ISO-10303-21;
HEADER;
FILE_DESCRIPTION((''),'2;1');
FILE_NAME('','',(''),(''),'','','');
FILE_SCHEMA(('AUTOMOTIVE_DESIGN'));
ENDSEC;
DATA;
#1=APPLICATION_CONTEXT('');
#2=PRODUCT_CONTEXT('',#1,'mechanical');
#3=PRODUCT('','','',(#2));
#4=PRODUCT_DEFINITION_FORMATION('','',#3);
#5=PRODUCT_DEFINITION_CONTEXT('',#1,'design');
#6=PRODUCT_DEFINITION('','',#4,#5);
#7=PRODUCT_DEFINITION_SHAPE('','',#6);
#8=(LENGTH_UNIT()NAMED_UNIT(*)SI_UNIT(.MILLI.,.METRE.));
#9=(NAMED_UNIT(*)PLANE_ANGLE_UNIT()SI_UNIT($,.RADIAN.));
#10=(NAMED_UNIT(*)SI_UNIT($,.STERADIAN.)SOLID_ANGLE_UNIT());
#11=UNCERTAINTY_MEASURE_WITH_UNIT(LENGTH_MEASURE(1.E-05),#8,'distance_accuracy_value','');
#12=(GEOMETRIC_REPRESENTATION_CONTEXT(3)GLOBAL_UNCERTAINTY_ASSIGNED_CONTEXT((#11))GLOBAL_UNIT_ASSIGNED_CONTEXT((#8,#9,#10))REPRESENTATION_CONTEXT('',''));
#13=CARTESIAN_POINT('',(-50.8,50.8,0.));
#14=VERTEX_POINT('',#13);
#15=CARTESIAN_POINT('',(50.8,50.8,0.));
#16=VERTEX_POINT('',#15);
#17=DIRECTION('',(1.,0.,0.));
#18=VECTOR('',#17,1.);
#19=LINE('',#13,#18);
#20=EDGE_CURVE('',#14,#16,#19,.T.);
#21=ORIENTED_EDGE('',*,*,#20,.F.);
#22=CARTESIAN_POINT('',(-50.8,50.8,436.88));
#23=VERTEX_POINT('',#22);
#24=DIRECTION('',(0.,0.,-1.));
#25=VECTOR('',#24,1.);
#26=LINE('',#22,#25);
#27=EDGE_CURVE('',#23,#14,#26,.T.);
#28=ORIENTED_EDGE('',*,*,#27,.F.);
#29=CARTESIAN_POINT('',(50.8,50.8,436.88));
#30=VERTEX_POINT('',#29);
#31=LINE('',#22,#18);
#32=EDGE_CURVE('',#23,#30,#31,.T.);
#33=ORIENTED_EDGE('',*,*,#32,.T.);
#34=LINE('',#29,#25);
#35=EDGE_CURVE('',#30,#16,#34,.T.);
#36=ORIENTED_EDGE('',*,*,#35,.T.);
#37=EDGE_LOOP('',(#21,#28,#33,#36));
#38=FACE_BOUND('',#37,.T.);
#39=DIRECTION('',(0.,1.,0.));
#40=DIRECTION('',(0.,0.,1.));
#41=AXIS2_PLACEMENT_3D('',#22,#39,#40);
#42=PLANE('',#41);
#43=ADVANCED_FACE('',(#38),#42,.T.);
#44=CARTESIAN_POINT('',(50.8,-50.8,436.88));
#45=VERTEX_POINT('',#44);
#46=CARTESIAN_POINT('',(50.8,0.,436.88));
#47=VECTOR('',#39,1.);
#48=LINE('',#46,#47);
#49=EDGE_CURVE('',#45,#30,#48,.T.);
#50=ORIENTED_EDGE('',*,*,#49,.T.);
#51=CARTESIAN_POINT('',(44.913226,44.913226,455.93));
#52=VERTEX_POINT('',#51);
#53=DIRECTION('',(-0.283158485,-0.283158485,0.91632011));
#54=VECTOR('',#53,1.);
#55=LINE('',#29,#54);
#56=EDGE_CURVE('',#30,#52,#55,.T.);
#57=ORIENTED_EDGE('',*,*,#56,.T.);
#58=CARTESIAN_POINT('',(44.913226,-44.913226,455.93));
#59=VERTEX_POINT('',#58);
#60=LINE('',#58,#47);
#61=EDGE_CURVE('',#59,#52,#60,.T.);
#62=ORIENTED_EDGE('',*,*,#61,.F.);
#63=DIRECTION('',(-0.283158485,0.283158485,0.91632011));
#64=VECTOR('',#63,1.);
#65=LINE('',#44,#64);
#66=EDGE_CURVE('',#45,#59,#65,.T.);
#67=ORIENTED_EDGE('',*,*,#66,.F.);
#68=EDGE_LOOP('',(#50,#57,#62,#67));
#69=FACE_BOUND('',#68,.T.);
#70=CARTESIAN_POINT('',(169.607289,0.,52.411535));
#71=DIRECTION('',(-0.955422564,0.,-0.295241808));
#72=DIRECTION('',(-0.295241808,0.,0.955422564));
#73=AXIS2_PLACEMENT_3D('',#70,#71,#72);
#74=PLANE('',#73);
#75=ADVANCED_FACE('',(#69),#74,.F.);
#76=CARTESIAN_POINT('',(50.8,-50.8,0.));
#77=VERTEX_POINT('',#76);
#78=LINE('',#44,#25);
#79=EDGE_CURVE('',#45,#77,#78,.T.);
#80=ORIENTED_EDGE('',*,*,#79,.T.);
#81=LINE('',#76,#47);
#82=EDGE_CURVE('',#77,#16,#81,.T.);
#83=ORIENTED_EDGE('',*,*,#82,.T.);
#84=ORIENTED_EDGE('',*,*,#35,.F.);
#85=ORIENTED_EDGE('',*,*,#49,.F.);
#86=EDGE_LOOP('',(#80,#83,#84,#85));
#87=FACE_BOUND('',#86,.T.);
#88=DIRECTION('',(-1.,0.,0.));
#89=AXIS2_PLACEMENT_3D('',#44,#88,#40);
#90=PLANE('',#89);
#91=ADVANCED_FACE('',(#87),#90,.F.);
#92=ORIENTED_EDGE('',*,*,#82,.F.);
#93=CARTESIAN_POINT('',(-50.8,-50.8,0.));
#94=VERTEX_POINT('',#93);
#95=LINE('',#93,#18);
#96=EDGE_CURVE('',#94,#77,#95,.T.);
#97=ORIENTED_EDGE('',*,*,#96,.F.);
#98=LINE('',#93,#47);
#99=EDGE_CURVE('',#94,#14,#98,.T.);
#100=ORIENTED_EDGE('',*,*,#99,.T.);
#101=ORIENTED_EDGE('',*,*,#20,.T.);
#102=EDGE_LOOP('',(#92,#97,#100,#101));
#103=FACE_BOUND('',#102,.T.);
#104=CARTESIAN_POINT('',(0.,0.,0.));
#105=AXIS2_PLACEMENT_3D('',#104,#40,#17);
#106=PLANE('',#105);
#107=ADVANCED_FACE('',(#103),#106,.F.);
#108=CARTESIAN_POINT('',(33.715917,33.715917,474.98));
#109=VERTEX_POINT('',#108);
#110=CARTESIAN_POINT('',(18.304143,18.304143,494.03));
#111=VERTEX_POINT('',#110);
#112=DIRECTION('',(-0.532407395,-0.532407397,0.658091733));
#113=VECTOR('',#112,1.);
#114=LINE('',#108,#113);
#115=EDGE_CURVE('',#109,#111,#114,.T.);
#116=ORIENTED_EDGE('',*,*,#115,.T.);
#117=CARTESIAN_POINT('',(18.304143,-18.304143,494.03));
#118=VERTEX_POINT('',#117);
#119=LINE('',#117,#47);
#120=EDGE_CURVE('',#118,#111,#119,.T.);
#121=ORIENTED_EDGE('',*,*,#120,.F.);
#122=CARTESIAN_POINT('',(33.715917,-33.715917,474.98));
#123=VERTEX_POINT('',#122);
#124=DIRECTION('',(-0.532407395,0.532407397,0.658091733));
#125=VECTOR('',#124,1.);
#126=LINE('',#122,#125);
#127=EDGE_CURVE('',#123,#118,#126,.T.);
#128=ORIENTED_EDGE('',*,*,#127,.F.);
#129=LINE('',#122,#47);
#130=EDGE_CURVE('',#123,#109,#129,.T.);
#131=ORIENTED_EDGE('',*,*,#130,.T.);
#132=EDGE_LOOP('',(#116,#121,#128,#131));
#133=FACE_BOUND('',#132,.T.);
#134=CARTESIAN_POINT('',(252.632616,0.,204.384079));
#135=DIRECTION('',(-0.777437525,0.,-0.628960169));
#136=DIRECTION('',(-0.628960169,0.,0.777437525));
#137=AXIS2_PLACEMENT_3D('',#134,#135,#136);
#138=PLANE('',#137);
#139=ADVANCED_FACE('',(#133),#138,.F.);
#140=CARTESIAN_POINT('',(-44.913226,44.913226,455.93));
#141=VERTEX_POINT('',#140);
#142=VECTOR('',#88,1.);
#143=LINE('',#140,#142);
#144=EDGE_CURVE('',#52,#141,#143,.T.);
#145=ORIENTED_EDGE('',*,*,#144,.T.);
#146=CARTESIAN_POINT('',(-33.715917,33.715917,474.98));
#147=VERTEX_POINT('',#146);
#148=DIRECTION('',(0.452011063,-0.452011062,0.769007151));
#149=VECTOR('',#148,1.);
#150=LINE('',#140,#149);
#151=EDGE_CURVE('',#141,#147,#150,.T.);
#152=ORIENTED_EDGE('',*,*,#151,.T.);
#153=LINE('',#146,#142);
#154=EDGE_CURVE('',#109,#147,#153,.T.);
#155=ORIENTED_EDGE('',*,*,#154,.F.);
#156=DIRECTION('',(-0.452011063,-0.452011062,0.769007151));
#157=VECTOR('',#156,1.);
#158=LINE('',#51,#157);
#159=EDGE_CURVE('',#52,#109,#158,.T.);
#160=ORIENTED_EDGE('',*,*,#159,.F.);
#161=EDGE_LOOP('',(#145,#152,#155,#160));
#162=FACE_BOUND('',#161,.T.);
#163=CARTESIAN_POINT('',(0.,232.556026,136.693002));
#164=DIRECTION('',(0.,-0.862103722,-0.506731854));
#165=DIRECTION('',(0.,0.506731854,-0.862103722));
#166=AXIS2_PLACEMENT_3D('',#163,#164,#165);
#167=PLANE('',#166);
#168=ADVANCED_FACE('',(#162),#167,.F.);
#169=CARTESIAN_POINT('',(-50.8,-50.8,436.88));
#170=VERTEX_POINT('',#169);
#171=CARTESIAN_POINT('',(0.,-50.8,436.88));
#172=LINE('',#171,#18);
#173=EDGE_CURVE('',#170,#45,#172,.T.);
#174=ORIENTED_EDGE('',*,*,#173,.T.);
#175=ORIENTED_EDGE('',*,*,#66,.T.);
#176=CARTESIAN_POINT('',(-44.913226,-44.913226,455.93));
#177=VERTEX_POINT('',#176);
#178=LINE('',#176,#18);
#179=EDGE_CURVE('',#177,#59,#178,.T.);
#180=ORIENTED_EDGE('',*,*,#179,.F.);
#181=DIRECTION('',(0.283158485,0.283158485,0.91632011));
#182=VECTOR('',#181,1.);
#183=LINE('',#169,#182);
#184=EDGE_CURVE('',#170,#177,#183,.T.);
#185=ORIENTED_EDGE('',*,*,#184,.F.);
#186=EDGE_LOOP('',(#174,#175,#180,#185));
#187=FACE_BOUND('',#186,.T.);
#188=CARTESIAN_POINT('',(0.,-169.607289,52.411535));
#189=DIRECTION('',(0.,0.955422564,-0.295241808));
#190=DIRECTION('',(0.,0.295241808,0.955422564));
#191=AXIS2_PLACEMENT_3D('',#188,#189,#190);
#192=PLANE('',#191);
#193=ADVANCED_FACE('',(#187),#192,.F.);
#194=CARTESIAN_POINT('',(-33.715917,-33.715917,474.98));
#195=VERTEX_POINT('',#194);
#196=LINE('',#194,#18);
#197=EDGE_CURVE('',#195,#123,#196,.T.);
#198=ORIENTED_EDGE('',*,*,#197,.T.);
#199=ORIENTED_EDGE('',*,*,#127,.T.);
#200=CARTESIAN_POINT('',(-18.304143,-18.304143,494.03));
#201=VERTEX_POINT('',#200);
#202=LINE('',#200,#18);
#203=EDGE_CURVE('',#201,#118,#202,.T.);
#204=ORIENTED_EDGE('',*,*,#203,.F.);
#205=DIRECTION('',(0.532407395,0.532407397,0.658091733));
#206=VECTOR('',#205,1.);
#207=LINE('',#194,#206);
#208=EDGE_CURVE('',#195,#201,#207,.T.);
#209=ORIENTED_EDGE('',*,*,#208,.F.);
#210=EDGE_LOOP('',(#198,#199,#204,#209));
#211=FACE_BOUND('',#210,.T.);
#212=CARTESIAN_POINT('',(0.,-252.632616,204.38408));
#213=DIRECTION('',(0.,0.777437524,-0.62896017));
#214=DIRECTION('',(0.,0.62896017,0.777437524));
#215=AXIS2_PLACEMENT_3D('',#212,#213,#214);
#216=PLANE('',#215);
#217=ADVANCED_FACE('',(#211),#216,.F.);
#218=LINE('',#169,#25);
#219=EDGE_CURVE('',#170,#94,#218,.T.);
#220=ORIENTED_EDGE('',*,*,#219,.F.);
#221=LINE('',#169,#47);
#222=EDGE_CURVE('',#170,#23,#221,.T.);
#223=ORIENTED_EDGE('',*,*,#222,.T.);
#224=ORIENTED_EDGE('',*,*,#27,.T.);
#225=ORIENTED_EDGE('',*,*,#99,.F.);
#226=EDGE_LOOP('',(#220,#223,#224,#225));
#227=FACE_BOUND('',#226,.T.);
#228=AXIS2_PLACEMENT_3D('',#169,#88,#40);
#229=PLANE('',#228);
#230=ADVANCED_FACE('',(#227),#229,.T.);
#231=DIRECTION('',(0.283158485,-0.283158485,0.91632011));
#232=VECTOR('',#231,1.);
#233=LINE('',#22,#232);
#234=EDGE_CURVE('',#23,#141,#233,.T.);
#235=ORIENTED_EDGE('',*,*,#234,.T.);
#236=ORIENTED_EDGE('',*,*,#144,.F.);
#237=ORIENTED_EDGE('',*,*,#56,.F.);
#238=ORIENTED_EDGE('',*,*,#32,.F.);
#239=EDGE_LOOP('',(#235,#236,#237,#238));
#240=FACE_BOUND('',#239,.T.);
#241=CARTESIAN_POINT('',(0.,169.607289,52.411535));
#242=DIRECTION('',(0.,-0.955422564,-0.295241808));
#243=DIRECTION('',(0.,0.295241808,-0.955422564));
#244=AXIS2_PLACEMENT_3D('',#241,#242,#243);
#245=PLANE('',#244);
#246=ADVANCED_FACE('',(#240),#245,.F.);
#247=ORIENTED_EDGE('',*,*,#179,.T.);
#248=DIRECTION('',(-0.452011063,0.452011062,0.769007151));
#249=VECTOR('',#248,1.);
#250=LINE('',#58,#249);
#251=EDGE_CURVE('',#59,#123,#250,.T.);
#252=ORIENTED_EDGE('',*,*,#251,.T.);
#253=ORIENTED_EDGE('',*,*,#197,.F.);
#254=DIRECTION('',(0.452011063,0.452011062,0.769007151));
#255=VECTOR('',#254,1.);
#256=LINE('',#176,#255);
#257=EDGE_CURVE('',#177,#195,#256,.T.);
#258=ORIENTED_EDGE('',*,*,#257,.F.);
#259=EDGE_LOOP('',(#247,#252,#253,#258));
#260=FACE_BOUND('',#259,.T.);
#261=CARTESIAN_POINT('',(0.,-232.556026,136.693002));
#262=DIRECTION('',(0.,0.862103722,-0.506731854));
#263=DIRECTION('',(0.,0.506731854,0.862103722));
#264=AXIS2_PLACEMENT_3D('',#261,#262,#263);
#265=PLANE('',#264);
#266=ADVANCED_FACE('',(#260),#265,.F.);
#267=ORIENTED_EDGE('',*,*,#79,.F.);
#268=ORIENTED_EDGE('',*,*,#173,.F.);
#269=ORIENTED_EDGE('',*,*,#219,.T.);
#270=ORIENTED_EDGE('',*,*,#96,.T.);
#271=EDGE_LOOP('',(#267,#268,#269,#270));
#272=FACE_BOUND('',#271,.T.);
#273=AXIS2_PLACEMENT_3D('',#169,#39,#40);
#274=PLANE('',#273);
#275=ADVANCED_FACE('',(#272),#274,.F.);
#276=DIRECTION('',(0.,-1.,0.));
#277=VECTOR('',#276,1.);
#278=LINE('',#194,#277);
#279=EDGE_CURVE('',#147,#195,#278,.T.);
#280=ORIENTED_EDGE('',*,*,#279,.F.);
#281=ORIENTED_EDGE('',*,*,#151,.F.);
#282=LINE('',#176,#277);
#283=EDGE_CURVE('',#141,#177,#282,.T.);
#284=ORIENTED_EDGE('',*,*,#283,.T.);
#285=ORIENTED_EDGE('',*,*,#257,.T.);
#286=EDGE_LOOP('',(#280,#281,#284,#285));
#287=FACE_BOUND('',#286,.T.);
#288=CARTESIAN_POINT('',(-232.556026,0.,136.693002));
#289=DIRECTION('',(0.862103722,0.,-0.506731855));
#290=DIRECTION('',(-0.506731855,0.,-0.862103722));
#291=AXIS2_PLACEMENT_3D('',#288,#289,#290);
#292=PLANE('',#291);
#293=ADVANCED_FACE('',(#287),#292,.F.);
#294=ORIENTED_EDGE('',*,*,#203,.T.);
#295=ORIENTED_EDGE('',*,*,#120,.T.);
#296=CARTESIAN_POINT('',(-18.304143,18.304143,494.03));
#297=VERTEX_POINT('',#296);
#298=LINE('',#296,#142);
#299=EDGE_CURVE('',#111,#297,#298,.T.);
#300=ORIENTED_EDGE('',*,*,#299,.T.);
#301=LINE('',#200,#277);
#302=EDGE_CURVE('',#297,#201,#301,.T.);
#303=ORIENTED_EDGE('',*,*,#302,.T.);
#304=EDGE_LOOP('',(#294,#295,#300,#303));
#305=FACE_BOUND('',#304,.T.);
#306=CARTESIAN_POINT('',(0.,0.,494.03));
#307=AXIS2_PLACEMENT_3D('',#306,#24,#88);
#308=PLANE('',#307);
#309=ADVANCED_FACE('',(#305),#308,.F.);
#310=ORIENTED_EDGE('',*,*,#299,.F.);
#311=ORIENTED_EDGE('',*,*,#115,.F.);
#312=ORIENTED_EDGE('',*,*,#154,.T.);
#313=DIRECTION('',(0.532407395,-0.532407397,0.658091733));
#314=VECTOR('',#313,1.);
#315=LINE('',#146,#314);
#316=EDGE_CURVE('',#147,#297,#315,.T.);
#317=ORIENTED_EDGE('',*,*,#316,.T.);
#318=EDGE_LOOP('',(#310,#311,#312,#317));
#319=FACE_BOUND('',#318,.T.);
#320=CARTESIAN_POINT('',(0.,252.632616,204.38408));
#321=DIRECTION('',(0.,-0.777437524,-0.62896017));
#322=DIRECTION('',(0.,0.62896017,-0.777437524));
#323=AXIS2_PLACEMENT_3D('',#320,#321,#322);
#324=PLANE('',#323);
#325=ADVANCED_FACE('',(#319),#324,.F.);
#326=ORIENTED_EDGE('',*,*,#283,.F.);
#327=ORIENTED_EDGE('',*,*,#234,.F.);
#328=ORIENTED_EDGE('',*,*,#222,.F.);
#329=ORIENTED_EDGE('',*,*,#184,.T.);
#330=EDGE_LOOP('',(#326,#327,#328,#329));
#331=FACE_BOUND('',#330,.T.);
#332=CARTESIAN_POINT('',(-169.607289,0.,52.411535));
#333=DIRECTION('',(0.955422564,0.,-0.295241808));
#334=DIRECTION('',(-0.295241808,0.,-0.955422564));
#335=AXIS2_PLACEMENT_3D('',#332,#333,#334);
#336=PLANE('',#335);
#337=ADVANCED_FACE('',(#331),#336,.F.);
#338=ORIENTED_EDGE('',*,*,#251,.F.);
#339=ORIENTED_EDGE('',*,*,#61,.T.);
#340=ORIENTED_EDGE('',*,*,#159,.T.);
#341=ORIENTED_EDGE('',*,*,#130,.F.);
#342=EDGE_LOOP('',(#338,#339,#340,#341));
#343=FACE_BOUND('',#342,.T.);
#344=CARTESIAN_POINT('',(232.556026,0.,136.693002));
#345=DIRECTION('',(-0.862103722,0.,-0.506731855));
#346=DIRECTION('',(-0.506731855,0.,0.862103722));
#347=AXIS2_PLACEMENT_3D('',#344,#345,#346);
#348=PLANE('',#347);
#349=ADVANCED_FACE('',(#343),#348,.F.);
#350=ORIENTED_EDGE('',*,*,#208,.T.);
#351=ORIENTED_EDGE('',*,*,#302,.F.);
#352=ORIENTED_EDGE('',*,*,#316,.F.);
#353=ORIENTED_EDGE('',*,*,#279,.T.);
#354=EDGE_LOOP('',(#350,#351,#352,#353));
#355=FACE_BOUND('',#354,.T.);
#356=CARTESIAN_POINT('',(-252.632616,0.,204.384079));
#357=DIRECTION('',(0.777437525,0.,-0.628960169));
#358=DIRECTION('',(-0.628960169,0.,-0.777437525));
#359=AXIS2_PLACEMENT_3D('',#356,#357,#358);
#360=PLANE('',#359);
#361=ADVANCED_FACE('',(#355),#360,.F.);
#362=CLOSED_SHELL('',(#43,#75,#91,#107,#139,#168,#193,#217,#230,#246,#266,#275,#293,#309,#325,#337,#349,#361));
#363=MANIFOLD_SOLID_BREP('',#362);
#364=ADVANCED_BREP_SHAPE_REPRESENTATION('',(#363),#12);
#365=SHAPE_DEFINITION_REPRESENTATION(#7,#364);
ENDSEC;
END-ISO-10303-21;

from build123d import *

# Parameters (mm, degrees)
SKETCH1_W           = 101.6
SKETCH1_H           = 101.6
BOSS_EXTRUDE1_DEPTH = 436.88


with BuildPart() as part:
    # Sketch1 → Boss-Extrude1 (new body)
    with BuildSketch(Plane.XY):
        Rectangle(SKETCH1_W, SKETCH1_H)
    extrude(amount=BOSS_EXTRUDE1_DEPTH)

    # Sketch5 → Loft2 section 0
    with BuildSketch(Plane.XY.offset(436.88)):
        with BuildLine():
            Line((50.8, -50.8), (50.8, 50.8))
            Line((50.8, 50.8), (-50.8, 50.8))
            Line((-50.8, 50.8), (-50.8, -50.8))
            Line((-50.8, -50.8), (50.8, -50.8))
        make_face()
    # Sketch3 → Loft2 section 1
    with BuildSketch(Plane.XY.offset(455.93)):
        with BuildLine():
            Line((-44.913226277, -44.913226277), (44.913226277, -44.913226277))
            Line((44.913226277, -44.913226277), (44.913226277, 44.913226277))
            Line((44.913226277, 44.913226277), (-44.913226277, 44.913226277))
            Line((-44.913226277, 44.913226277), (-44.913226277, -44.913226277))
        make_face()
    loft()

    # Sketch3<6> → Loft3 section 0
    with BuildSketch(Plane.XY.offset(455.93)):
        with BuildLine():
            Line((-44.913226277, -44.913226277), (44.913226277, -44.913226277))
            Line((44.913226277, -44.913226277), (44.913226277, 44.913226277))
            Line((44.913226277, 44.913226277), (-44.913226277, 44.913226277))
            Line((-44.913226277, 44.913226277), (-44.913226277, -44.913226277))
        make_face()
    # Sketch6 → Loft3 section 1
    with BuildSketch(Plane.XY.offset(474.98)):
        with BuildLine():
            Line((-33.715917201, -33.715917221), (33.715917201, -33.715917221))
            Line((33.715917201, -33.715917221), (33.715917201, 33.715917221))
            Line((33.715917201, 33.715917221), (-33.715917201, 33.715917221))
            Line((-33.715917201, 33.715917221), (-33.715917201, -33.715917221))
        make_face()
    loft()

    # Sketch6<4> → Loft4 section 0
    with BuildSketch(Plane.XY.offset(474.98)):
        with BuildLine():
            Line((-33.715917201, -33.715917221), (33.715917201, -33.715917221))
            Line((33.715917201, -33.715917221), (33.715917201, 33.715917221))
            Line((33.715917201, 33.715917221), (-33.715917201, 33.715917221))
            Line((-33.715917201, 33.715917221), (-33.715917201, -33.715917221))
        make_face()
    # Sketch7 → Loft4 section 1
    with BuildSketch(Plane.XY.offset(494.03)):
        with BuildLine():
            Line((-18.304143478, -18.304143458), (18.304143478, -18.304143458))
            Line((18.304143478, -18.304143458), (18.304143478, 18.304143458))
            Line((18.304143478, 18.304143458), (-18.304143478, 18.304143458))
            Line((-18.304143478, 18.304143458), (-18.304143478, -18.304143458))
        make_face()
    loft()


solid = part.part
